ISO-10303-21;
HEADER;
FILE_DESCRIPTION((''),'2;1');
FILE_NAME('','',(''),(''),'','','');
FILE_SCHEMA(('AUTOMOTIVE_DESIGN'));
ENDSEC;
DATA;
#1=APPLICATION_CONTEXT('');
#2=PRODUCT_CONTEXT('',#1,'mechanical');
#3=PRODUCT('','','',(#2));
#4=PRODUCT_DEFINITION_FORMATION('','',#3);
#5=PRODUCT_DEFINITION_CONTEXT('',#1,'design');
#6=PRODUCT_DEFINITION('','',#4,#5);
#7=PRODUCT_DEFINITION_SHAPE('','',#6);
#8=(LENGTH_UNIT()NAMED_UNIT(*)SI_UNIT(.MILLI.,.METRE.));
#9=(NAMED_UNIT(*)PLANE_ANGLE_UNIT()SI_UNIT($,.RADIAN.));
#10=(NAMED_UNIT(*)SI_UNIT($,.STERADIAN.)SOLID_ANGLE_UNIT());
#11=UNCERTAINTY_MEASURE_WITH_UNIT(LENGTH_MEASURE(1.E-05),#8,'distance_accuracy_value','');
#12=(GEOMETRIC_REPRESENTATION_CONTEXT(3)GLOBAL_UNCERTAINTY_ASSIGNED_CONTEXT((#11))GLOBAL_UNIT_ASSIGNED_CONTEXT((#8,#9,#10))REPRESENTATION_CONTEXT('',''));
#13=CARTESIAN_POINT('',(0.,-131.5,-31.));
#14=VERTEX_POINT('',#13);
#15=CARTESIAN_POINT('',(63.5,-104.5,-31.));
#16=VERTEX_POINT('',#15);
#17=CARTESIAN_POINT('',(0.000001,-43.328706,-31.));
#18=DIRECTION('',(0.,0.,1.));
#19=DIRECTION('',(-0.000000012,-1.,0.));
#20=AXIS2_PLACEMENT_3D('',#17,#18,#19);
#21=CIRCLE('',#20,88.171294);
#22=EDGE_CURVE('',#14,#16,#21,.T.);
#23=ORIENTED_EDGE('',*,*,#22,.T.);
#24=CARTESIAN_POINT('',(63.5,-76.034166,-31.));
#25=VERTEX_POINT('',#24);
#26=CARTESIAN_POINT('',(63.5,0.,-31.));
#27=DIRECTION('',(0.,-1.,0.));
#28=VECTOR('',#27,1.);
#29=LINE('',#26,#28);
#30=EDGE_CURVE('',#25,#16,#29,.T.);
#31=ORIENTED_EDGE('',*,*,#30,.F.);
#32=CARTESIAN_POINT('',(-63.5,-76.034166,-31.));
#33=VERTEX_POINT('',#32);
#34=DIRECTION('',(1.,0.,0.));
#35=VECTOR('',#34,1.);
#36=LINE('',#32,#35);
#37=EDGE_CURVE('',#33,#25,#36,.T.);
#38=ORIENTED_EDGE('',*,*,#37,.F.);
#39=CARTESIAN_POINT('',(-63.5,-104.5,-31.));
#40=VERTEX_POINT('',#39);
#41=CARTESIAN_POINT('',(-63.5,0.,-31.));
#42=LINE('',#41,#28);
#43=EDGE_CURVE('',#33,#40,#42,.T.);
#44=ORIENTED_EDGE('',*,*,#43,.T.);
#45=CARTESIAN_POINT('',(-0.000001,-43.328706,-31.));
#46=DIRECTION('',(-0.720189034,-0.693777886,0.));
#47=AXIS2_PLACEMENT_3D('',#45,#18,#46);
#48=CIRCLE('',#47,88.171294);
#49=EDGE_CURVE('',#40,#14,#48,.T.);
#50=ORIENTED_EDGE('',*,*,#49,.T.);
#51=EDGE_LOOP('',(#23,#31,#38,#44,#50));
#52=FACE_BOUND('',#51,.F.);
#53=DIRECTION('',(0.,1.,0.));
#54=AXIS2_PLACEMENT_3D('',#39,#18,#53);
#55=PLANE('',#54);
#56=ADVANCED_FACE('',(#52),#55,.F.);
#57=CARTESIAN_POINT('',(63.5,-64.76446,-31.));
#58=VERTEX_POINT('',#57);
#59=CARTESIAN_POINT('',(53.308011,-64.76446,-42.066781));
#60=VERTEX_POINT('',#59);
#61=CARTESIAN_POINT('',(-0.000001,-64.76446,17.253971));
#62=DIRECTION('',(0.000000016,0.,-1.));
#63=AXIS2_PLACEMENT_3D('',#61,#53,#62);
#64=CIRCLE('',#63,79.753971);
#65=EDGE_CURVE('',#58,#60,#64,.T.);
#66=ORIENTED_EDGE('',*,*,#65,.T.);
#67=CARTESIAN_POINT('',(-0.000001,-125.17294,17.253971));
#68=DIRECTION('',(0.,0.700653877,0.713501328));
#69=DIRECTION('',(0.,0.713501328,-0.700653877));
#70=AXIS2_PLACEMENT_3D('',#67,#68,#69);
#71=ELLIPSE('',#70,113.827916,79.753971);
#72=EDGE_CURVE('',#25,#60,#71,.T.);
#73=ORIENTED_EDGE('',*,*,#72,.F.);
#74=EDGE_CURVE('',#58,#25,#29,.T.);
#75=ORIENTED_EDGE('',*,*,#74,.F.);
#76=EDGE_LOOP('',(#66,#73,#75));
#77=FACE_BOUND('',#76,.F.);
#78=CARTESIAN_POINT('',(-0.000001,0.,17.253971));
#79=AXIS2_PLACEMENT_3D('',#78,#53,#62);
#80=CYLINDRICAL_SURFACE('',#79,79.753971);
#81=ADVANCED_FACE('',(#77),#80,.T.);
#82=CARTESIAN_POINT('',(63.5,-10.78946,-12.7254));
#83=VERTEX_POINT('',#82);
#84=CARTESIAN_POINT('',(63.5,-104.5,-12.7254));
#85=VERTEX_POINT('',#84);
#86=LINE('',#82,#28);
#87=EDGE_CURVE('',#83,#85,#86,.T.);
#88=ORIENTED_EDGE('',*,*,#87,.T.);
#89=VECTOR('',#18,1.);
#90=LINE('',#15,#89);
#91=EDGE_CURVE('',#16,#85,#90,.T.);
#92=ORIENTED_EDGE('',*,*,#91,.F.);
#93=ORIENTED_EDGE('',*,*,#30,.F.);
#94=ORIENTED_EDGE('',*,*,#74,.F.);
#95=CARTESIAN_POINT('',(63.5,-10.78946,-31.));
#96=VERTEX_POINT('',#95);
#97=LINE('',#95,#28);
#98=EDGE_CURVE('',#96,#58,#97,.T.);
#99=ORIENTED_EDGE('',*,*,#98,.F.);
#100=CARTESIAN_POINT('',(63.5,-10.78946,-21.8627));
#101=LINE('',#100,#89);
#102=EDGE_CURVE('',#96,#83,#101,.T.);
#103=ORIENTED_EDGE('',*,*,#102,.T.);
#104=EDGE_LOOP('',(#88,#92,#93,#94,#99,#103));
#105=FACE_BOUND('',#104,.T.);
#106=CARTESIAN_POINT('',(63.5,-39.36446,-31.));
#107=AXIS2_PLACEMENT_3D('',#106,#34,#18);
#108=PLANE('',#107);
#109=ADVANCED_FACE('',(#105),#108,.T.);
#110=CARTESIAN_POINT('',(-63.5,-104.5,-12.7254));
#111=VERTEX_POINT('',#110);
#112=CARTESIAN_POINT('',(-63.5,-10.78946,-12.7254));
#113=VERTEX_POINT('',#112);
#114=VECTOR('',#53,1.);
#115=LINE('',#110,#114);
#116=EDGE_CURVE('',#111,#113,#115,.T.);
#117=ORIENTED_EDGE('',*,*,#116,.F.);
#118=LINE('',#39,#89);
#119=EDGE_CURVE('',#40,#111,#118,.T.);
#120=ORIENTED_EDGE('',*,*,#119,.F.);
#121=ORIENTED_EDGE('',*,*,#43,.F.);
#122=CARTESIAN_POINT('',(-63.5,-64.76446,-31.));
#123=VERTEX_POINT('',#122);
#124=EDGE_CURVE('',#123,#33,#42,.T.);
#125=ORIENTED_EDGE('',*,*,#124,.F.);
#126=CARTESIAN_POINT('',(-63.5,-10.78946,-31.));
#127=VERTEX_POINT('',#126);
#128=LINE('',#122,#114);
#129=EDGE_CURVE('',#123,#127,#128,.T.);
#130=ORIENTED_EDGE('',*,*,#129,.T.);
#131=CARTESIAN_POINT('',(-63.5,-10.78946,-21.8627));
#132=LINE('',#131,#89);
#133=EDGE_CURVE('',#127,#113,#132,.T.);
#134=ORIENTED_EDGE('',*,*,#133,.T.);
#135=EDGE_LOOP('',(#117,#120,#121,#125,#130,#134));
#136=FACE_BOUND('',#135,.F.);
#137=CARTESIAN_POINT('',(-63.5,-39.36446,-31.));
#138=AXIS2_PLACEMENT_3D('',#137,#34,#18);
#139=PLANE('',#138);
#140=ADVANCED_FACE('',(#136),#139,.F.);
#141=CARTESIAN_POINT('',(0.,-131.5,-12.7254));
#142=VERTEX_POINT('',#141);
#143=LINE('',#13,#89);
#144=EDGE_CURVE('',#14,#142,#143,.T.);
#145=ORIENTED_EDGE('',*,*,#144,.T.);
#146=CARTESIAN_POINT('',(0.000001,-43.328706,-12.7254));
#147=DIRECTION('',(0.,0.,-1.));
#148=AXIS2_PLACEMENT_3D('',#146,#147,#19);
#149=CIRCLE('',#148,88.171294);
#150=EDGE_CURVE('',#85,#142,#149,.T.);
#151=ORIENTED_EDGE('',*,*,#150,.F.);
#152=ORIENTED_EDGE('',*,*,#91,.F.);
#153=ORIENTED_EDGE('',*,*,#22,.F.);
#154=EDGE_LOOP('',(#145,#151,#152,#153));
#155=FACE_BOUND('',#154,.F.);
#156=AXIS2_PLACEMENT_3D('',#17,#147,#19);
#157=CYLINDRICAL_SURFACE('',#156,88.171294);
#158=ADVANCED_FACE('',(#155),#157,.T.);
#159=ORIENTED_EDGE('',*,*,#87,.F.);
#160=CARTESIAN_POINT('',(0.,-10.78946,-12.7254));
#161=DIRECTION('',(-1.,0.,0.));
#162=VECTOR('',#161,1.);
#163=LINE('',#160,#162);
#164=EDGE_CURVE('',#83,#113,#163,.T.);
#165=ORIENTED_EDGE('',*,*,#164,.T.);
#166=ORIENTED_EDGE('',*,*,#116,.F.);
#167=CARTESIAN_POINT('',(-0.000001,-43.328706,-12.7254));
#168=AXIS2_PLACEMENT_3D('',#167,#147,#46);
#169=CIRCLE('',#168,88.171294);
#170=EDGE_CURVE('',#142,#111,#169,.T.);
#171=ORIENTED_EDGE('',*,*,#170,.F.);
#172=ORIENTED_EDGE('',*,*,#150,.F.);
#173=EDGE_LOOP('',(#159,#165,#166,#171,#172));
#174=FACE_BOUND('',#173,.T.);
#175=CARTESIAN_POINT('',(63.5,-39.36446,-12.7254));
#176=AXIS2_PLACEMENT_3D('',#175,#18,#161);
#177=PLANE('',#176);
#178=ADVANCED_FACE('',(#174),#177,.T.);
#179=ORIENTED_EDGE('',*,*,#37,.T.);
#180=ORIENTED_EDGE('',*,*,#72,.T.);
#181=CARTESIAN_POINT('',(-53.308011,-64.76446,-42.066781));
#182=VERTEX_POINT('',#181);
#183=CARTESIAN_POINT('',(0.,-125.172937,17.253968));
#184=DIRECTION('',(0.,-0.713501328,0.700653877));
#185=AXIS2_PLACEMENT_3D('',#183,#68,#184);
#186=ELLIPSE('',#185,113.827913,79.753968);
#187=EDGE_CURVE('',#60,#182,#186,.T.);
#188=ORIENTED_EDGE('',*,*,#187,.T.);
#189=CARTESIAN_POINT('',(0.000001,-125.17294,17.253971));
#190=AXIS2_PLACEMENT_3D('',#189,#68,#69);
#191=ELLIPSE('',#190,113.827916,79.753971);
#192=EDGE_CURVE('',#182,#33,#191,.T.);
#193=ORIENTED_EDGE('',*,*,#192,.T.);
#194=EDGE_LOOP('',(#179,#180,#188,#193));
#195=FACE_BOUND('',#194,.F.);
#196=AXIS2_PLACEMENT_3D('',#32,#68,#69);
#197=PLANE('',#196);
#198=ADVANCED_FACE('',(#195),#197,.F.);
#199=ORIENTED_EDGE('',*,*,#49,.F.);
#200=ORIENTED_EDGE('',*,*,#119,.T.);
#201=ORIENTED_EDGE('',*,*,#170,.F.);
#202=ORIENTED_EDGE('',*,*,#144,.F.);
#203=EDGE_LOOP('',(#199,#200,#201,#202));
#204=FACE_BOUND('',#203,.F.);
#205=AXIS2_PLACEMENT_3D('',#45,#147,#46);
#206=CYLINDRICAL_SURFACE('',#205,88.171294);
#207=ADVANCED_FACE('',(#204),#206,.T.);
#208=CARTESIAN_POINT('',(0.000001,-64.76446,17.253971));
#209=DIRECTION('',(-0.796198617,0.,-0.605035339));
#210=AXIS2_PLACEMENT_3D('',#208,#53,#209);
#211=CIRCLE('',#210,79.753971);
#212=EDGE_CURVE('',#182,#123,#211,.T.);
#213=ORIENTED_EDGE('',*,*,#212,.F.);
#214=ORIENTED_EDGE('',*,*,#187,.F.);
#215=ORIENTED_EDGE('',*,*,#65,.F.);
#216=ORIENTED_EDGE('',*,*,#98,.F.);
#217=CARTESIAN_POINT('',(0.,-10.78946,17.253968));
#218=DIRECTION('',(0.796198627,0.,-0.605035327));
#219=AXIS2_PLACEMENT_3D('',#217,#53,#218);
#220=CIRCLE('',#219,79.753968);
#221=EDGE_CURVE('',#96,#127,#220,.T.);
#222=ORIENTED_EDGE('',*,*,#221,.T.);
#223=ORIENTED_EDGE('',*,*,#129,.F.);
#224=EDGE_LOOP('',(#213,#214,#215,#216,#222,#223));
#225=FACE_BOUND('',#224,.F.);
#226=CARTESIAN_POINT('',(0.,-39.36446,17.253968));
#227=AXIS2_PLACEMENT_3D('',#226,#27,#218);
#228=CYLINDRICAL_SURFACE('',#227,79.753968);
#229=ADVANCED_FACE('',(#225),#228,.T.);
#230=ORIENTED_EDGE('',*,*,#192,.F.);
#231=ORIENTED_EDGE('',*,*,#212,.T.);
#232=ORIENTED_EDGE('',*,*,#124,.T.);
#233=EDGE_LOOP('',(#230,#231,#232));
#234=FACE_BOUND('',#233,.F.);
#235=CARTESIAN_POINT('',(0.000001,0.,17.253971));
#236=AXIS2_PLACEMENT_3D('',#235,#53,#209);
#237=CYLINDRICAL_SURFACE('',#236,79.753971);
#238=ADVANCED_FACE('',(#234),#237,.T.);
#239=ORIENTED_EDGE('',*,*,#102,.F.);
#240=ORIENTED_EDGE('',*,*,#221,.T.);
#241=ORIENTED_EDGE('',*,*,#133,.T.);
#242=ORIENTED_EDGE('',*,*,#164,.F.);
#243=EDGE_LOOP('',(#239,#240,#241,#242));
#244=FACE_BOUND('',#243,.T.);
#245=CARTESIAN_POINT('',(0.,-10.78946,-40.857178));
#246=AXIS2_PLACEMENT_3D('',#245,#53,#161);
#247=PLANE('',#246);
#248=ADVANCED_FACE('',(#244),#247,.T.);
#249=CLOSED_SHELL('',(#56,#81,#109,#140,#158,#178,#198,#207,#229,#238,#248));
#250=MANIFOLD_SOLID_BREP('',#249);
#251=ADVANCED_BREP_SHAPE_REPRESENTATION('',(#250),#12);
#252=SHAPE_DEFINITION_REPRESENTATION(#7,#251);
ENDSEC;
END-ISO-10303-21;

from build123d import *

# Parameters (mm, degrees)
F1_DEPTH  = 104.5
F3_DEPTH  = 127.001
F4_W      = 127
F4_H      = 62
F5_DEPTH  = 27
F7_DEPTH  = 93.5104
F8_W      = 237.597823
F8_H      = 212.603942
F9_DEPTH  = 64.76446
F11_DEPTH = 127.001
F12_DEPTH = 25.4
F13_W     = 127
F13_H     = 18.2746
F14_DEPTH = 28.575
F16_DEPTH = 127.001


with BuildPart() as f1:
    # F0 (on Front) → F1 (new body)
    with BuildSketch(Plane.XZ):
        with BuildLine():
            ThreePointArc((0, 62.5094), (-35.443943, 54.198998), (-63.5, 31))
            Line((-63.5, 31), (0, 31))
            Line((0, 31), (0, 62.5094))
        make_face()
        Polygon((0, 31), (-63.5, 31), (-63.5, -31), (0, -31), (0, 0), align=None)
        with BuildLine():
            Line((0, 62.5094), (0, 31))
            Line((0, 31), (63.5, 31))
            ThreePointArc((63.5, 31), (35.443943, 54.198998), (0, 62.5094))
        make_face()
        Polygon((63.5, 31), (0, 31), (0, 0), (0, -31), (63.5, -31), align=None)
        with BuildLine():
            Line((0, -31), (-63.5, -31))
            ThreePointArc((-63.5, -31), (-35.441854, -54.192308), (0, -62.5))
            Line((0, -62.5), (0, -31))
        make_face()
        with BuildLine():
            Line((63.5, -31), (0, -31))
            Line((0, -31), (0, -62.5))
            ThreePointArc((0, -62.5), (35.441854, -54.192308), (63.5, -31))
        make_face()
    extrude(amount=F1_DEPTH)

    # F2 (on face) → F3 (cut, through all)
    with BuildSketch(Plane.YZ.offset(63.5)):
        Polygon((-104.5, 72.844587), (-104.5, 31), (-62.5, 64.333223), align=None)
        Polygon((-62.5, -65.093011), (-104.5, -31), (-104.5, -67.313612), align=None)
    extrude(amount=-F3_DEPTH, mode=Mode.SUBTRACT)

    # F4 (on face) → F5 (join)
    with BuildSketch(Plane.XZ.offset(104.5)):
        Rectangle(F4_W, F4_H)
    extrude(amount=F5_DEPTH)

    # F6 (on face) → F7 (cut, through all)
    with BuildSketch(Plane(origin=(0, 0, -31), x_dir=(1, 0, 0), z_dir=(0, 0, -1))):
        with BuildLine():
            ThreePointArc((-63.5, 104.5), (-34.500906, 124.469723), (0, 131.5))
            Line((0, 131.5), (-63.5, 131.5))
            Line((-63.5, 131.5), (-63.5, 104.5))
        make_face()
        with BuildLine():
            ThreePointArc((0, 131.5), (34.500906, 124.469723), (63.5, 104.5))
            Line((63.5, 104.5), (63.5, 131.5))
            Line((63.5, 131.5), (0, 131.5))
        make_face()
    extrude(amount=-F7_DEPTH, mode=Mode.SUBTRACT)

    # F8 (on face) → F9 (cut)
    with BuildSketch(Plane(origin=(0, 0, 0), x_dir=(-1, 0, 0), z_dir=(0, 1, 0))):
        with Locations((30.433759, -29.178329)):
            Rectangle(F8_W, F8_H)
    extrude(amount=-F9_DEPTH, mode=Mode.SUBTRACT)

    # F10 (on face) → F11 (cut, through all)
    with BuildSketch(Plane.YZ.offset(63.5)):
        Polygon((-64.76446, -12.7254), (-64.76446, 0), (-64.76446, 76.2), (-148.139939, 76.2), (-148.139939, -12.7254), align=None)
    extrude(amount=-F11_DEPTH, mode=Mode.SUBTRACT)

    # F9_face (on face) → F12 (join)
    with BuildSketch(Plane(origin=(0, -64.76446, -33.868347), x_dir=(-1, 0, 0), z_dir=(0, 1, 0))):
        with BuildLine():
            ThreePointArc((-63.5, 2.868347), (0, -28.631653), (63.5, 2.868347))
            Line((63.5, 2.868347), (63.5, 21.142947))
            Line((63.5, 21.142947), (-63.5, 21.142947))
            Line((-63.5, 21.142947), (-63.5, 2.868347))
        make_face()
    extrude(amount=F12_DEPTH)

    # F13 (on face) → F14 (join)
    with BuildSketch(Plane(origin=(0, -39.36446, 0), x_dir=(-1, 0, 0), z_dir=(0, 1, 0))):
        with BuildLine():
            ThreePointArc((-63.5, -31), (0, -62.5), (63.5, -31))
            Line((63.5, -31), (-63.5, -31))
        make_face()
        with Locations((0, -21.8627)):
            Rectangle(F13_W, F13_H)
    extrude(amount=F14_DEPTH)

    # F15 (on face) → F16 (cut, through all)
    with BuildSketch(Plane(origin=(-63.5, 0, 0), x_dir=(0, -1, 0), z_dir=(-1, 0, 0))):
        Polygon((104.02593, -67.289479), (104.5, -31), (76.034166, -31), (42.225931, -64.199477), align=None)
    extrude(amount=-F16_DEPTH, mode=Mode.SUBTRACT)


solid = f1.part
